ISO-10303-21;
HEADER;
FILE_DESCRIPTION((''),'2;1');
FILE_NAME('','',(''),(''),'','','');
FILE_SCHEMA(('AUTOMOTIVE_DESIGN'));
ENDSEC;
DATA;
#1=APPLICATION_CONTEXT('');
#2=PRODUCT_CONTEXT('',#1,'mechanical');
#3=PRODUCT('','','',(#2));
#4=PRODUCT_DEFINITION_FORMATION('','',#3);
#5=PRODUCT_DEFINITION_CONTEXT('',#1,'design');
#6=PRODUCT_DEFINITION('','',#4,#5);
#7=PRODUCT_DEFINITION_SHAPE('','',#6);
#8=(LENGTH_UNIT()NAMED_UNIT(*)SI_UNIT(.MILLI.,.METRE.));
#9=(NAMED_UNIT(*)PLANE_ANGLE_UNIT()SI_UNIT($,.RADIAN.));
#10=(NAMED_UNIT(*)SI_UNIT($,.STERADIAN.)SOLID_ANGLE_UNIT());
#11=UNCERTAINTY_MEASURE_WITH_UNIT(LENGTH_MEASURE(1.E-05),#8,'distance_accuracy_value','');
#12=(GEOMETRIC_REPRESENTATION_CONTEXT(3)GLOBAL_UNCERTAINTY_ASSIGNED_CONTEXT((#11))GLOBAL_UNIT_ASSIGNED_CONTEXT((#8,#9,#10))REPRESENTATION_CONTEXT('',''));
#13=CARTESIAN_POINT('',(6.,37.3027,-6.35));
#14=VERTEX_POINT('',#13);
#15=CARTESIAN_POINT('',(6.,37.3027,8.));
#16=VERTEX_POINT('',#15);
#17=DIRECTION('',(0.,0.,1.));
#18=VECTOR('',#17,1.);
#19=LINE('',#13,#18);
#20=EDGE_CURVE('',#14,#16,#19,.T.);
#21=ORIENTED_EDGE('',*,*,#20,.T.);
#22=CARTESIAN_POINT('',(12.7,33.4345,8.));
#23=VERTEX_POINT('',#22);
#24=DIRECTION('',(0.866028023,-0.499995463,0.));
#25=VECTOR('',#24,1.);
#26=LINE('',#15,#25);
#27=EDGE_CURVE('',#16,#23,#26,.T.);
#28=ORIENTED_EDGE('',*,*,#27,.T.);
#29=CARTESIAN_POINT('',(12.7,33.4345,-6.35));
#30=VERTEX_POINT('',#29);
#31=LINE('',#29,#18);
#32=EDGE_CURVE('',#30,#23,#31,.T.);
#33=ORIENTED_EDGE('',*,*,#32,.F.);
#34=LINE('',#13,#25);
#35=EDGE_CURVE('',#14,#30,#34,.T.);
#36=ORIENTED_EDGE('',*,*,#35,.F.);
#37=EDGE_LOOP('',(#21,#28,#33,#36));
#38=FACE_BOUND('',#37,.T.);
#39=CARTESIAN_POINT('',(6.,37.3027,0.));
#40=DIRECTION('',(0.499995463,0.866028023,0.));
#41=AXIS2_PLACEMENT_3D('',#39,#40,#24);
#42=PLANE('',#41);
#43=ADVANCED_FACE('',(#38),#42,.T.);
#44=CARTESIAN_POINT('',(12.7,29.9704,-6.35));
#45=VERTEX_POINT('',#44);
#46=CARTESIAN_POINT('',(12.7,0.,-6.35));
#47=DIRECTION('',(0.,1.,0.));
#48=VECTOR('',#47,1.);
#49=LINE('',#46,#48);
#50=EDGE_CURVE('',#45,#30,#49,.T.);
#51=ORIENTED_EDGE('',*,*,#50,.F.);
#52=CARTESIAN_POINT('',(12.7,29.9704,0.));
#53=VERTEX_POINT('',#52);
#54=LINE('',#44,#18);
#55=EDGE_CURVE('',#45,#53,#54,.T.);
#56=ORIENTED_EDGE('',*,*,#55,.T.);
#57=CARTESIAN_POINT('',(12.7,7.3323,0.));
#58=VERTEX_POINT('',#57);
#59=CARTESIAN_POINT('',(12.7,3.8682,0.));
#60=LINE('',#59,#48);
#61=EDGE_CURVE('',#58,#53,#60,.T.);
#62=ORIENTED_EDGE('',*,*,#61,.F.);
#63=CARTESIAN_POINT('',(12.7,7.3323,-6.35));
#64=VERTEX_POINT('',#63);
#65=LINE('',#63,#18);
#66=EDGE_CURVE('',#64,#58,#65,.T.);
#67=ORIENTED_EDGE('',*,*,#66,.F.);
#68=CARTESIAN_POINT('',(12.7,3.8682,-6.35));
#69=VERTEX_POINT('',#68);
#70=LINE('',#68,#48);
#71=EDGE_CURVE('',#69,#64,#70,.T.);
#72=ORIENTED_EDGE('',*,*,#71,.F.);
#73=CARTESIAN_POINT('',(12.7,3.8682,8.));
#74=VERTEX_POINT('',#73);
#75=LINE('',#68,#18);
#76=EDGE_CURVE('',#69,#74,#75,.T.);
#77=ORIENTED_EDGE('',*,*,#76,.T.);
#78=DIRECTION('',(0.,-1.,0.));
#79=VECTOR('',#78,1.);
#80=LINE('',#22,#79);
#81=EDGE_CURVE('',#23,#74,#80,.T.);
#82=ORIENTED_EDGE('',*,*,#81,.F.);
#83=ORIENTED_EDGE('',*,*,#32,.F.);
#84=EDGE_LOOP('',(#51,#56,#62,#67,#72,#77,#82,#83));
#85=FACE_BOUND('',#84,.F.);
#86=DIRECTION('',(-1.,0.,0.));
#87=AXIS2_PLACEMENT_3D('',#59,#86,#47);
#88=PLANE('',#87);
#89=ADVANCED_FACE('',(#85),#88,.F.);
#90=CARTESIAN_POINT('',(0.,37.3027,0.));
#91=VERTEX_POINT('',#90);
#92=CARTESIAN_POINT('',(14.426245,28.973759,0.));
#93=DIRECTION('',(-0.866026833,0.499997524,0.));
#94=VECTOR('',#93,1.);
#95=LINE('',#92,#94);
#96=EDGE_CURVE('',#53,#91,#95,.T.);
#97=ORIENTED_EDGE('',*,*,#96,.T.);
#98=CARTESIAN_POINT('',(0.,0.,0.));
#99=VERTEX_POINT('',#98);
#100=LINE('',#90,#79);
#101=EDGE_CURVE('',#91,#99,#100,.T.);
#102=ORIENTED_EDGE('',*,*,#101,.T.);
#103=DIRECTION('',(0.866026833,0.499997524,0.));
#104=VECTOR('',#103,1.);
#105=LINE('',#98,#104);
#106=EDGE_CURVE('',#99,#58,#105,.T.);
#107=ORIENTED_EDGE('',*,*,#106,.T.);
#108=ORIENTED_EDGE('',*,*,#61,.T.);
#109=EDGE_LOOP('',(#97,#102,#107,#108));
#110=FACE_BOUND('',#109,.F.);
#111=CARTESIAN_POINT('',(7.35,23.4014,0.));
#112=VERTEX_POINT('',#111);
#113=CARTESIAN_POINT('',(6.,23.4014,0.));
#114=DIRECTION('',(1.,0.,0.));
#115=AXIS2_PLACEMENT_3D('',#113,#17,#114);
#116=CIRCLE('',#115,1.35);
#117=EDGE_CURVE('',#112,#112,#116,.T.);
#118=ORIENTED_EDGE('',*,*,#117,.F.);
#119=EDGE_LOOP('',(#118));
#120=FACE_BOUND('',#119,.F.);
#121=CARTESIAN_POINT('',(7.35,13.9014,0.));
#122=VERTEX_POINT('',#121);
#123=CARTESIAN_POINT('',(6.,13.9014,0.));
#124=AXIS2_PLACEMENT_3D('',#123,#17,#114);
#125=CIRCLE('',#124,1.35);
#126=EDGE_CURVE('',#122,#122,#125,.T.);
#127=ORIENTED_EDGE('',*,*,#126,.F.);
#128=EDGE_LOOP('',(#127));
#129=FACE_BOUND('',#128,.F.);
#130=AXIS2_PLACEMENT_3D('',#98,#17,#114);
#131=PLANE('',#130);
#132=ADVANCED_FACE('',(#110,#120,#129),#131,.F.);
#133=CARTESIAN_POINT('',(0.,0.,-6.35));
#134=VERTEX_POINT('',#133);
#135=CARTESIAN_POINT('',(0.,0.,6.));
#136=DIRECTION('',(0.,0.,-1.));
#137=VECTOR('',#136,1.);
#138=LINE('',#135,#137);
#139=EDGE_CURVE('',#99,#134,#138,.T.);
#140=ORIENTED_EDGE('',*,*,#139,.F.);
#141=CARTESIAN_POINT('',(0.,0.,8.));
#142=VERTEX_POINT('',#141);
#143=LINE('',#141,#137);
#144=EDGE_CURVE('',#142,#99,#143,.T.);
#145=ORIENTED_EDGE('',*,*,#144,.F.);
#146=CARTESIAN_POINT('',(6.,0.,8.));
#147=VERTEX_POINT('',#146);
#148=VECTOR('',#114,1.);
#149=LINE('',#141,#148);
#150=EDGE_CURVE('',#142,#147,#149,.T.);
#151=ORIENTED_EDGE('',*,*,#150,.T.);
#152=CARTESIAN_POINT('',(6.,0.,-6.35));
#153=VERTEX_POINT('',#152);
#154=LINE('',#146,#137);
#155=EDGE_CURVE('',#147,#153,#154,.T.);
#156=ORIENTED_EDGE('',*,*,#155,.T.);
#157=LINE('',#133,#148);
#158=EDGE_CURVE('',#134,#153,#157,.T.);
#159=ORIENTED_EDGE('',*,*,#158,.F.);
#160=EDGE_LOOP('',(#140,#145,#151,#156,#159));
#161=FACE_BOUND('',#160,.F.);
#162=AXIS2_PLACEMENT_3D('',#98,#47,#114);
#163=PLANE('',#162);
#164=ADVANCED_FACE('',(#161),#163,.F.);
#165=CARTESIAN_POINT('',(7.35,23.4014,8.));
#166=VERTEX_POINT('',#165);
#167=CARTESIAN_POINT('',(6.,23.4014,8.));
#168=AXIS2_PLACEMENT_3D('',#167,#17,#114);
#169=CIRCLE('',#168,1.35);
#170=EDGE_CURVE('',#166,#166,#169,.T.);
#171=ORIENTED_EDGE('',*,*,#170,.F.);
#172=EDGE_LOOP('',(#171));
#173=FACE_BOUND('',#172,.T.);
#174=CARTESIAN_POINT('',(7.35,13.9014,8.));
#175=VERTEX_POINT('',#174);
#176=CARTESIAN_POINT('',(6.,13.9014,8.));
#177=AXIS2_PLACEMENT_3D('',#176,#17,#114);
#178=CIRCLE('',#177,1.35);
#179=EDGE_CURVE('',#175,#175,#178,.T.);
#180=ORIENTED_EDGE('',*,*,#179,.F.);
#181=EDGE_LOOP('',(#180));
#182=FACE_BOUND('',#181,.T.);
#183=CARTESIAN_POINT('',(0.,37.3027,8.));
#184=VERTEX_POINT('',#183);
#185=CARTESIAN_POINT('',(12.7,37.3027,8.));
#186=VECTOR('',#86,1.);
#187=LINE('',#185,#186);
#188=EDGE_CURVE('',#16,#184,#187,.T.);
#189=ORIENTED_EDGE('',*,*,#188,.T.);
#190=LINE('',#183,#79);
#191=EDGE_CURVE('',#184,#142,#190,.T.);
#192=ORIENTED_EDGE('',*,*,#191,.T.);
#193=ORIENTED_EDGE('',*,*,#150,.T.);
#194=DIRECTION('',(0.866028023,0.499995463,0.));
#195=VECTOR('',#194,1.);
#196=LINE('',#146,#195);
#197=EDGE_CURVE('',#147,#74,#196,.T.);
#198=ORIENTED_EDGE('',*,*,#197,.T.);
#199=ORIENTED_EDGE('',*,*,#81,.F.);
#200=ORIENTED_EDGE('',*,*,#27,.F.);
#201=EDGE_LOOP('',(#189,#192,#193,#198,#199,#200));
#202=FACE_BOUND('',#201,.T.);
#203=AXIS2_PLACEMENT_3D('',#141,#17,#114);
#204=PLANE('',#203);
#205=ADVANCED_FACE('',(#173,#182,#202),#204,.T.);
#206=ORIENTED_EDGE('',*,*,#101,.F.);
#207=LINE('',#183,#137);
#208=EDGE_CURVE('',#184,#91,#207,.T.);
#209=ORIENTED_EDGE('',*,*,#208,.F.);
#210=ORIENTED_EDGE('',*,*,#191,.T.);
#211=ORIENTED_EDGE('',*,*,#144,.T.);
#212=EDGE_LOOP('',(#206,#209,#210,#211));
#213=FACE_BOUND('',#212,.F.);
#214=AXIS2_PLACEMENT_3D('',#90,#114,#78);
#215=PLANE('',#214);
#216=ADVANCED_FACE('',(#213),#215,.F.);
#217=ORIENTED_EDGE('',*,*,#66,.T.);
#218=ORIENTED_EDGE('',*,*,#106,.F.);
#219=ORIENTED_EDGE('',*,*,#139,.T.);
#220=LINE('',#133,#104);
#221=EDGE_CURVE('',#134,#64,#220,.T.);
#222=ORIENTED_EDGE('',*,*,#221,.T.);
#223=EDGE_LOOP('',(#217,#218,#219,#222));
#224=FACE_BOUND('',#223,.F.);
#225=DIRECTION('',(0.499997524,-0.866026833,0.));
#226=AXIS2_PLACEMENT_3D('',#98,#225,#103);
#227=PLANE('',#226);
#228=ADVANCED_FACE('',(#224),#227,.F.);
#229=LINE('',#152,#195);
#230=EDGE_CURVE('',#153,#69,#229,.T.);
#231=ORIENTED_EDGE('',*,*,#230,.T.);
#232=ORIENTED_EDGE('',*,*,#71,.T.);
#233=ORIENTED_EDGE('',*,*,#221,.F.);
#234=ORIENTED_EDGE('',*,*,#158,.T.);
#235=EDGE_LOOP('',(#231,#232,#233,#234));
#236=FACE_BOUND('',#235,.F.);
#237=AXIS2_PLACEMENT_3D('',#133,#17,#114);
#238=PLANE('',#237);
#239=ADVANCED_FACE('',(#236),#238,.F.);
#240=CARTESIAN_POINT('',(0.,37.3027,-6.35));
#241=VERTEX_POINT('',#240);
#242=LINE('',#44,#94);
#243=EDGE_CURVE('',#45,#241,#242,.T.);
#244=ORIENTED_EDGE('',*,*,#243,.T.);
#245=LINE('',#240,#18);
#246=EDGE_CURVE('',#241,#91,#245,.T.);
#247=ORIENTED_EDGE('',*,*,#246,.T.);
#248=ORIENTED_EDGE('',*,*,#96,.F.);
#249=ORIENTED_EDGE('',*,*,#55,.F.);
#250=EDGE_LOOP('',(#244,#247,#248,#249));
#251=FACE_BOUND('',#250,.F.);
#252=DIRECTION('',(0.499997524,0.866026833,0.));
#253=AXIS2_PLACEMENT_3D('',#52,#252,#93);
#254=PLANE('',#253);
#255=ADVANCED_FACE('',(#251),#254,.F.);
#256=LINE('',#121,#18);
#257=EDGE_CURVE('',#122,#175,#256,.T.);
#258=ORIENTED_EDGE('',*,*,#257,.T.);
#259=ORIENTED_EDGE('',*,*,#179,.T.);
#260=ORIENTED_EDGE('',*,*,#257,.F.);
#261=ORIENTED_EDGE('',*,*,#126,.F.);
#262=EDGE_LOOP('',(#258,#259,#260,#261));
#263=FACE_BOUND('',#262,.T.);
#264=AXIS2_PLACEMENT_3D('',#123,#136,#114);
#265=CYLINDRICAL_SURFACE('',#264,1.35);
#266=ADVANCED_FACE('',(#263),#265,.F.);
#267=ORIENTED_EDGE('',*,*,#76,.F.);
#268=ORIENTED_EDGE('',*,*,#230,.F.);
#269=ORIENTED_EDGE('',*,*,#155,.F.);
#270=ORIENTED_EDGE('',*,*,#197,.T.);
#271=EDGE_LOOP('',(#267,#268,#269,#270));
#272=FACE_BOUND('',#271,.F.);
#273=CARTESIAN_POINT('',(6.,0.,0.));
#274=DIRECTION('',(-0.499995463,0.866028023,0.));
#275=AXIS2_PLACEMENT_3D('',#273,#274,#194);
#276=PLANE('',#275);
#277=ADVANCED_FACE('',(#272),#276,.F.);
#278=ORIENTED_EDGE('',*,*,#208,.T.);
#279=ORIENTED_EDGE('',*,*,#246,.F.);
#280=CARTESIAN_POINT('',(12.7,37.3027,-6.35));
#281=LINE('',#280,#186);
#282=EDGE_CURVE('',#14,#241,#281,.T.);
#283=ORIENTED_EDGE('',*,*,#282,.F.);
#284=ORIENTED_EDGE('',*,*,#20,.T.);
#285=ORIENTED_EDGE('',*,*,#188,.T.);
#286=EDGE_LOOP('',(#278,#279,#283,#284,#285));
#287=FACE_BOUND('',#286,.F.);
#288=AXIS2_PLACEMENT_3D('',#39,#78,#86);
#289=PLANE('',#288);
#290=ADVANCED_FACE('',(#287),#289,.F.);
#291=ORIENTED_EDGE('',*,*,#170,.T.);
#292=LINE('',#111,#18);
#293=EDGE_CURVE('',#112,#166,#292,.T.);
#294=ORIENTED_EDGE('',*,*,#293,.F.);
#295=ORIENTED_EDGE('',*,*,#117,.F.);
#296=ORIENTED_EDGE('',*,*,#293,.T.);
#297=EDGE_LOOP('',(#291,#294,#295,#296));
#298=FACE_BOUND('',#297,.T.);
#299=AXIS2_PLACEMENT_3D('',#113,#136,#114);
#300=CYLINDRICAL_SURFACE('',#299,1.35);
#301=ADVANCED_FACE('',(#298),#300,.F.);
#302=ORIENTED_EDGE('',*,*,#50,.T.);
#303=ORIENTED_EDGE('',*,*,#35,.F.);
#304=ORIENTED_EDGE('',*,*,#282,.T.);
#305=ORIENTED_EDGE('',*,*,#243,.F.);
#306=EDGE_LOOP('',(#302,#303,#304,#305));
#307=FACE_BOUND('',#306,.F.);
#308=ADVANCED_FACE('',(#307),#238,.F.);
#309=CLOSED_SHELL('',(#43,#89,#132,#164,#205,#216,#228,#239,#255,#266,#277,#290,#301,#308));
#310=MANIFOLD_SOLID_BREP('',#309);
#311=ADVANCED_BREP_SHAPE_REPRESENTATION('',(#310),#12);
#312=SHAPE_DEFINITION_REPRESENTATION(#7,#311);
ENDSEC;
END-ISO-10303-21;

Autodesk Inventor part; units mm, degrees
ref_plane "YZ Plane" through (0, 0, 0) normal (1, 0, 0) x (0, 1, 0)
ref_plane "XZ Plane" through (0, 0, 0) normal (0, 1, 0) x (-1, 0, 0)
ref_plane "XY Plane" through (0, 0, 0) normal (0, 0, 1) x (1, 0, 0)
sketch "Sketch1" plane through (0, 0, 0) normal (0, 0, 1) x (1, 0, 0)
  line L0 (12.7, 0) -> (12.7, 5.5)
  line L1 (0, 0) -> (12.7, 0)
  line L2 (12.7, 0) -> (12.7, 37.3027)
  line L3 (12.7, 37.3027) -> (0, 37.3027)
  line L4 (0, 37.3027) -> (0, 0)
  line L5 (6, 37.3027) -> (12.7, 33.4345)
  line L6 (6, 0) -> (12.7, 3.8682)
  circle A0 centre (6, 13.9014) radius 1.35
  circle A1 centre (6, 23.4014) radius 1.35
  line L7 (6, 23.4014) -> (6, 13.9014) construction
  line L8 (0, 0) -> (12.7, 7.3323)
  line L9 (12.7, 29.9704) -> (0, 37.3027)
  point P0 (6, 18.6514)
  point P1 (12.7, 18.6514)
  point P2 (12.7, 0)
  dimension "d2" = 9.5
  dimension "d3" = 2.7
  dimension "d4" = 2.7
  dimension "d15" = 37.3027
  dimension "d17" = 60
  dimension "d18" = 60
  dimension "d19" = 3
  dimension "d20" = 3
  dimension "d21" = 12.7
extrude "Extrusion1" add sketch "Sketch1" along normal blind 8 contours L6 L1 L8 L2 L0 | L4 L9 L2 L8 | L3 L5 L2 L9
extrude "Extrusion2" add sketch "Sketch1" against normal blind 6.35 and the other way blind 6 contours L6 L1 L8 L2 L0 | L3 L5 L2 L9
equation "\"d4\" = d3"
properties part number "Home Switch Mount X"
